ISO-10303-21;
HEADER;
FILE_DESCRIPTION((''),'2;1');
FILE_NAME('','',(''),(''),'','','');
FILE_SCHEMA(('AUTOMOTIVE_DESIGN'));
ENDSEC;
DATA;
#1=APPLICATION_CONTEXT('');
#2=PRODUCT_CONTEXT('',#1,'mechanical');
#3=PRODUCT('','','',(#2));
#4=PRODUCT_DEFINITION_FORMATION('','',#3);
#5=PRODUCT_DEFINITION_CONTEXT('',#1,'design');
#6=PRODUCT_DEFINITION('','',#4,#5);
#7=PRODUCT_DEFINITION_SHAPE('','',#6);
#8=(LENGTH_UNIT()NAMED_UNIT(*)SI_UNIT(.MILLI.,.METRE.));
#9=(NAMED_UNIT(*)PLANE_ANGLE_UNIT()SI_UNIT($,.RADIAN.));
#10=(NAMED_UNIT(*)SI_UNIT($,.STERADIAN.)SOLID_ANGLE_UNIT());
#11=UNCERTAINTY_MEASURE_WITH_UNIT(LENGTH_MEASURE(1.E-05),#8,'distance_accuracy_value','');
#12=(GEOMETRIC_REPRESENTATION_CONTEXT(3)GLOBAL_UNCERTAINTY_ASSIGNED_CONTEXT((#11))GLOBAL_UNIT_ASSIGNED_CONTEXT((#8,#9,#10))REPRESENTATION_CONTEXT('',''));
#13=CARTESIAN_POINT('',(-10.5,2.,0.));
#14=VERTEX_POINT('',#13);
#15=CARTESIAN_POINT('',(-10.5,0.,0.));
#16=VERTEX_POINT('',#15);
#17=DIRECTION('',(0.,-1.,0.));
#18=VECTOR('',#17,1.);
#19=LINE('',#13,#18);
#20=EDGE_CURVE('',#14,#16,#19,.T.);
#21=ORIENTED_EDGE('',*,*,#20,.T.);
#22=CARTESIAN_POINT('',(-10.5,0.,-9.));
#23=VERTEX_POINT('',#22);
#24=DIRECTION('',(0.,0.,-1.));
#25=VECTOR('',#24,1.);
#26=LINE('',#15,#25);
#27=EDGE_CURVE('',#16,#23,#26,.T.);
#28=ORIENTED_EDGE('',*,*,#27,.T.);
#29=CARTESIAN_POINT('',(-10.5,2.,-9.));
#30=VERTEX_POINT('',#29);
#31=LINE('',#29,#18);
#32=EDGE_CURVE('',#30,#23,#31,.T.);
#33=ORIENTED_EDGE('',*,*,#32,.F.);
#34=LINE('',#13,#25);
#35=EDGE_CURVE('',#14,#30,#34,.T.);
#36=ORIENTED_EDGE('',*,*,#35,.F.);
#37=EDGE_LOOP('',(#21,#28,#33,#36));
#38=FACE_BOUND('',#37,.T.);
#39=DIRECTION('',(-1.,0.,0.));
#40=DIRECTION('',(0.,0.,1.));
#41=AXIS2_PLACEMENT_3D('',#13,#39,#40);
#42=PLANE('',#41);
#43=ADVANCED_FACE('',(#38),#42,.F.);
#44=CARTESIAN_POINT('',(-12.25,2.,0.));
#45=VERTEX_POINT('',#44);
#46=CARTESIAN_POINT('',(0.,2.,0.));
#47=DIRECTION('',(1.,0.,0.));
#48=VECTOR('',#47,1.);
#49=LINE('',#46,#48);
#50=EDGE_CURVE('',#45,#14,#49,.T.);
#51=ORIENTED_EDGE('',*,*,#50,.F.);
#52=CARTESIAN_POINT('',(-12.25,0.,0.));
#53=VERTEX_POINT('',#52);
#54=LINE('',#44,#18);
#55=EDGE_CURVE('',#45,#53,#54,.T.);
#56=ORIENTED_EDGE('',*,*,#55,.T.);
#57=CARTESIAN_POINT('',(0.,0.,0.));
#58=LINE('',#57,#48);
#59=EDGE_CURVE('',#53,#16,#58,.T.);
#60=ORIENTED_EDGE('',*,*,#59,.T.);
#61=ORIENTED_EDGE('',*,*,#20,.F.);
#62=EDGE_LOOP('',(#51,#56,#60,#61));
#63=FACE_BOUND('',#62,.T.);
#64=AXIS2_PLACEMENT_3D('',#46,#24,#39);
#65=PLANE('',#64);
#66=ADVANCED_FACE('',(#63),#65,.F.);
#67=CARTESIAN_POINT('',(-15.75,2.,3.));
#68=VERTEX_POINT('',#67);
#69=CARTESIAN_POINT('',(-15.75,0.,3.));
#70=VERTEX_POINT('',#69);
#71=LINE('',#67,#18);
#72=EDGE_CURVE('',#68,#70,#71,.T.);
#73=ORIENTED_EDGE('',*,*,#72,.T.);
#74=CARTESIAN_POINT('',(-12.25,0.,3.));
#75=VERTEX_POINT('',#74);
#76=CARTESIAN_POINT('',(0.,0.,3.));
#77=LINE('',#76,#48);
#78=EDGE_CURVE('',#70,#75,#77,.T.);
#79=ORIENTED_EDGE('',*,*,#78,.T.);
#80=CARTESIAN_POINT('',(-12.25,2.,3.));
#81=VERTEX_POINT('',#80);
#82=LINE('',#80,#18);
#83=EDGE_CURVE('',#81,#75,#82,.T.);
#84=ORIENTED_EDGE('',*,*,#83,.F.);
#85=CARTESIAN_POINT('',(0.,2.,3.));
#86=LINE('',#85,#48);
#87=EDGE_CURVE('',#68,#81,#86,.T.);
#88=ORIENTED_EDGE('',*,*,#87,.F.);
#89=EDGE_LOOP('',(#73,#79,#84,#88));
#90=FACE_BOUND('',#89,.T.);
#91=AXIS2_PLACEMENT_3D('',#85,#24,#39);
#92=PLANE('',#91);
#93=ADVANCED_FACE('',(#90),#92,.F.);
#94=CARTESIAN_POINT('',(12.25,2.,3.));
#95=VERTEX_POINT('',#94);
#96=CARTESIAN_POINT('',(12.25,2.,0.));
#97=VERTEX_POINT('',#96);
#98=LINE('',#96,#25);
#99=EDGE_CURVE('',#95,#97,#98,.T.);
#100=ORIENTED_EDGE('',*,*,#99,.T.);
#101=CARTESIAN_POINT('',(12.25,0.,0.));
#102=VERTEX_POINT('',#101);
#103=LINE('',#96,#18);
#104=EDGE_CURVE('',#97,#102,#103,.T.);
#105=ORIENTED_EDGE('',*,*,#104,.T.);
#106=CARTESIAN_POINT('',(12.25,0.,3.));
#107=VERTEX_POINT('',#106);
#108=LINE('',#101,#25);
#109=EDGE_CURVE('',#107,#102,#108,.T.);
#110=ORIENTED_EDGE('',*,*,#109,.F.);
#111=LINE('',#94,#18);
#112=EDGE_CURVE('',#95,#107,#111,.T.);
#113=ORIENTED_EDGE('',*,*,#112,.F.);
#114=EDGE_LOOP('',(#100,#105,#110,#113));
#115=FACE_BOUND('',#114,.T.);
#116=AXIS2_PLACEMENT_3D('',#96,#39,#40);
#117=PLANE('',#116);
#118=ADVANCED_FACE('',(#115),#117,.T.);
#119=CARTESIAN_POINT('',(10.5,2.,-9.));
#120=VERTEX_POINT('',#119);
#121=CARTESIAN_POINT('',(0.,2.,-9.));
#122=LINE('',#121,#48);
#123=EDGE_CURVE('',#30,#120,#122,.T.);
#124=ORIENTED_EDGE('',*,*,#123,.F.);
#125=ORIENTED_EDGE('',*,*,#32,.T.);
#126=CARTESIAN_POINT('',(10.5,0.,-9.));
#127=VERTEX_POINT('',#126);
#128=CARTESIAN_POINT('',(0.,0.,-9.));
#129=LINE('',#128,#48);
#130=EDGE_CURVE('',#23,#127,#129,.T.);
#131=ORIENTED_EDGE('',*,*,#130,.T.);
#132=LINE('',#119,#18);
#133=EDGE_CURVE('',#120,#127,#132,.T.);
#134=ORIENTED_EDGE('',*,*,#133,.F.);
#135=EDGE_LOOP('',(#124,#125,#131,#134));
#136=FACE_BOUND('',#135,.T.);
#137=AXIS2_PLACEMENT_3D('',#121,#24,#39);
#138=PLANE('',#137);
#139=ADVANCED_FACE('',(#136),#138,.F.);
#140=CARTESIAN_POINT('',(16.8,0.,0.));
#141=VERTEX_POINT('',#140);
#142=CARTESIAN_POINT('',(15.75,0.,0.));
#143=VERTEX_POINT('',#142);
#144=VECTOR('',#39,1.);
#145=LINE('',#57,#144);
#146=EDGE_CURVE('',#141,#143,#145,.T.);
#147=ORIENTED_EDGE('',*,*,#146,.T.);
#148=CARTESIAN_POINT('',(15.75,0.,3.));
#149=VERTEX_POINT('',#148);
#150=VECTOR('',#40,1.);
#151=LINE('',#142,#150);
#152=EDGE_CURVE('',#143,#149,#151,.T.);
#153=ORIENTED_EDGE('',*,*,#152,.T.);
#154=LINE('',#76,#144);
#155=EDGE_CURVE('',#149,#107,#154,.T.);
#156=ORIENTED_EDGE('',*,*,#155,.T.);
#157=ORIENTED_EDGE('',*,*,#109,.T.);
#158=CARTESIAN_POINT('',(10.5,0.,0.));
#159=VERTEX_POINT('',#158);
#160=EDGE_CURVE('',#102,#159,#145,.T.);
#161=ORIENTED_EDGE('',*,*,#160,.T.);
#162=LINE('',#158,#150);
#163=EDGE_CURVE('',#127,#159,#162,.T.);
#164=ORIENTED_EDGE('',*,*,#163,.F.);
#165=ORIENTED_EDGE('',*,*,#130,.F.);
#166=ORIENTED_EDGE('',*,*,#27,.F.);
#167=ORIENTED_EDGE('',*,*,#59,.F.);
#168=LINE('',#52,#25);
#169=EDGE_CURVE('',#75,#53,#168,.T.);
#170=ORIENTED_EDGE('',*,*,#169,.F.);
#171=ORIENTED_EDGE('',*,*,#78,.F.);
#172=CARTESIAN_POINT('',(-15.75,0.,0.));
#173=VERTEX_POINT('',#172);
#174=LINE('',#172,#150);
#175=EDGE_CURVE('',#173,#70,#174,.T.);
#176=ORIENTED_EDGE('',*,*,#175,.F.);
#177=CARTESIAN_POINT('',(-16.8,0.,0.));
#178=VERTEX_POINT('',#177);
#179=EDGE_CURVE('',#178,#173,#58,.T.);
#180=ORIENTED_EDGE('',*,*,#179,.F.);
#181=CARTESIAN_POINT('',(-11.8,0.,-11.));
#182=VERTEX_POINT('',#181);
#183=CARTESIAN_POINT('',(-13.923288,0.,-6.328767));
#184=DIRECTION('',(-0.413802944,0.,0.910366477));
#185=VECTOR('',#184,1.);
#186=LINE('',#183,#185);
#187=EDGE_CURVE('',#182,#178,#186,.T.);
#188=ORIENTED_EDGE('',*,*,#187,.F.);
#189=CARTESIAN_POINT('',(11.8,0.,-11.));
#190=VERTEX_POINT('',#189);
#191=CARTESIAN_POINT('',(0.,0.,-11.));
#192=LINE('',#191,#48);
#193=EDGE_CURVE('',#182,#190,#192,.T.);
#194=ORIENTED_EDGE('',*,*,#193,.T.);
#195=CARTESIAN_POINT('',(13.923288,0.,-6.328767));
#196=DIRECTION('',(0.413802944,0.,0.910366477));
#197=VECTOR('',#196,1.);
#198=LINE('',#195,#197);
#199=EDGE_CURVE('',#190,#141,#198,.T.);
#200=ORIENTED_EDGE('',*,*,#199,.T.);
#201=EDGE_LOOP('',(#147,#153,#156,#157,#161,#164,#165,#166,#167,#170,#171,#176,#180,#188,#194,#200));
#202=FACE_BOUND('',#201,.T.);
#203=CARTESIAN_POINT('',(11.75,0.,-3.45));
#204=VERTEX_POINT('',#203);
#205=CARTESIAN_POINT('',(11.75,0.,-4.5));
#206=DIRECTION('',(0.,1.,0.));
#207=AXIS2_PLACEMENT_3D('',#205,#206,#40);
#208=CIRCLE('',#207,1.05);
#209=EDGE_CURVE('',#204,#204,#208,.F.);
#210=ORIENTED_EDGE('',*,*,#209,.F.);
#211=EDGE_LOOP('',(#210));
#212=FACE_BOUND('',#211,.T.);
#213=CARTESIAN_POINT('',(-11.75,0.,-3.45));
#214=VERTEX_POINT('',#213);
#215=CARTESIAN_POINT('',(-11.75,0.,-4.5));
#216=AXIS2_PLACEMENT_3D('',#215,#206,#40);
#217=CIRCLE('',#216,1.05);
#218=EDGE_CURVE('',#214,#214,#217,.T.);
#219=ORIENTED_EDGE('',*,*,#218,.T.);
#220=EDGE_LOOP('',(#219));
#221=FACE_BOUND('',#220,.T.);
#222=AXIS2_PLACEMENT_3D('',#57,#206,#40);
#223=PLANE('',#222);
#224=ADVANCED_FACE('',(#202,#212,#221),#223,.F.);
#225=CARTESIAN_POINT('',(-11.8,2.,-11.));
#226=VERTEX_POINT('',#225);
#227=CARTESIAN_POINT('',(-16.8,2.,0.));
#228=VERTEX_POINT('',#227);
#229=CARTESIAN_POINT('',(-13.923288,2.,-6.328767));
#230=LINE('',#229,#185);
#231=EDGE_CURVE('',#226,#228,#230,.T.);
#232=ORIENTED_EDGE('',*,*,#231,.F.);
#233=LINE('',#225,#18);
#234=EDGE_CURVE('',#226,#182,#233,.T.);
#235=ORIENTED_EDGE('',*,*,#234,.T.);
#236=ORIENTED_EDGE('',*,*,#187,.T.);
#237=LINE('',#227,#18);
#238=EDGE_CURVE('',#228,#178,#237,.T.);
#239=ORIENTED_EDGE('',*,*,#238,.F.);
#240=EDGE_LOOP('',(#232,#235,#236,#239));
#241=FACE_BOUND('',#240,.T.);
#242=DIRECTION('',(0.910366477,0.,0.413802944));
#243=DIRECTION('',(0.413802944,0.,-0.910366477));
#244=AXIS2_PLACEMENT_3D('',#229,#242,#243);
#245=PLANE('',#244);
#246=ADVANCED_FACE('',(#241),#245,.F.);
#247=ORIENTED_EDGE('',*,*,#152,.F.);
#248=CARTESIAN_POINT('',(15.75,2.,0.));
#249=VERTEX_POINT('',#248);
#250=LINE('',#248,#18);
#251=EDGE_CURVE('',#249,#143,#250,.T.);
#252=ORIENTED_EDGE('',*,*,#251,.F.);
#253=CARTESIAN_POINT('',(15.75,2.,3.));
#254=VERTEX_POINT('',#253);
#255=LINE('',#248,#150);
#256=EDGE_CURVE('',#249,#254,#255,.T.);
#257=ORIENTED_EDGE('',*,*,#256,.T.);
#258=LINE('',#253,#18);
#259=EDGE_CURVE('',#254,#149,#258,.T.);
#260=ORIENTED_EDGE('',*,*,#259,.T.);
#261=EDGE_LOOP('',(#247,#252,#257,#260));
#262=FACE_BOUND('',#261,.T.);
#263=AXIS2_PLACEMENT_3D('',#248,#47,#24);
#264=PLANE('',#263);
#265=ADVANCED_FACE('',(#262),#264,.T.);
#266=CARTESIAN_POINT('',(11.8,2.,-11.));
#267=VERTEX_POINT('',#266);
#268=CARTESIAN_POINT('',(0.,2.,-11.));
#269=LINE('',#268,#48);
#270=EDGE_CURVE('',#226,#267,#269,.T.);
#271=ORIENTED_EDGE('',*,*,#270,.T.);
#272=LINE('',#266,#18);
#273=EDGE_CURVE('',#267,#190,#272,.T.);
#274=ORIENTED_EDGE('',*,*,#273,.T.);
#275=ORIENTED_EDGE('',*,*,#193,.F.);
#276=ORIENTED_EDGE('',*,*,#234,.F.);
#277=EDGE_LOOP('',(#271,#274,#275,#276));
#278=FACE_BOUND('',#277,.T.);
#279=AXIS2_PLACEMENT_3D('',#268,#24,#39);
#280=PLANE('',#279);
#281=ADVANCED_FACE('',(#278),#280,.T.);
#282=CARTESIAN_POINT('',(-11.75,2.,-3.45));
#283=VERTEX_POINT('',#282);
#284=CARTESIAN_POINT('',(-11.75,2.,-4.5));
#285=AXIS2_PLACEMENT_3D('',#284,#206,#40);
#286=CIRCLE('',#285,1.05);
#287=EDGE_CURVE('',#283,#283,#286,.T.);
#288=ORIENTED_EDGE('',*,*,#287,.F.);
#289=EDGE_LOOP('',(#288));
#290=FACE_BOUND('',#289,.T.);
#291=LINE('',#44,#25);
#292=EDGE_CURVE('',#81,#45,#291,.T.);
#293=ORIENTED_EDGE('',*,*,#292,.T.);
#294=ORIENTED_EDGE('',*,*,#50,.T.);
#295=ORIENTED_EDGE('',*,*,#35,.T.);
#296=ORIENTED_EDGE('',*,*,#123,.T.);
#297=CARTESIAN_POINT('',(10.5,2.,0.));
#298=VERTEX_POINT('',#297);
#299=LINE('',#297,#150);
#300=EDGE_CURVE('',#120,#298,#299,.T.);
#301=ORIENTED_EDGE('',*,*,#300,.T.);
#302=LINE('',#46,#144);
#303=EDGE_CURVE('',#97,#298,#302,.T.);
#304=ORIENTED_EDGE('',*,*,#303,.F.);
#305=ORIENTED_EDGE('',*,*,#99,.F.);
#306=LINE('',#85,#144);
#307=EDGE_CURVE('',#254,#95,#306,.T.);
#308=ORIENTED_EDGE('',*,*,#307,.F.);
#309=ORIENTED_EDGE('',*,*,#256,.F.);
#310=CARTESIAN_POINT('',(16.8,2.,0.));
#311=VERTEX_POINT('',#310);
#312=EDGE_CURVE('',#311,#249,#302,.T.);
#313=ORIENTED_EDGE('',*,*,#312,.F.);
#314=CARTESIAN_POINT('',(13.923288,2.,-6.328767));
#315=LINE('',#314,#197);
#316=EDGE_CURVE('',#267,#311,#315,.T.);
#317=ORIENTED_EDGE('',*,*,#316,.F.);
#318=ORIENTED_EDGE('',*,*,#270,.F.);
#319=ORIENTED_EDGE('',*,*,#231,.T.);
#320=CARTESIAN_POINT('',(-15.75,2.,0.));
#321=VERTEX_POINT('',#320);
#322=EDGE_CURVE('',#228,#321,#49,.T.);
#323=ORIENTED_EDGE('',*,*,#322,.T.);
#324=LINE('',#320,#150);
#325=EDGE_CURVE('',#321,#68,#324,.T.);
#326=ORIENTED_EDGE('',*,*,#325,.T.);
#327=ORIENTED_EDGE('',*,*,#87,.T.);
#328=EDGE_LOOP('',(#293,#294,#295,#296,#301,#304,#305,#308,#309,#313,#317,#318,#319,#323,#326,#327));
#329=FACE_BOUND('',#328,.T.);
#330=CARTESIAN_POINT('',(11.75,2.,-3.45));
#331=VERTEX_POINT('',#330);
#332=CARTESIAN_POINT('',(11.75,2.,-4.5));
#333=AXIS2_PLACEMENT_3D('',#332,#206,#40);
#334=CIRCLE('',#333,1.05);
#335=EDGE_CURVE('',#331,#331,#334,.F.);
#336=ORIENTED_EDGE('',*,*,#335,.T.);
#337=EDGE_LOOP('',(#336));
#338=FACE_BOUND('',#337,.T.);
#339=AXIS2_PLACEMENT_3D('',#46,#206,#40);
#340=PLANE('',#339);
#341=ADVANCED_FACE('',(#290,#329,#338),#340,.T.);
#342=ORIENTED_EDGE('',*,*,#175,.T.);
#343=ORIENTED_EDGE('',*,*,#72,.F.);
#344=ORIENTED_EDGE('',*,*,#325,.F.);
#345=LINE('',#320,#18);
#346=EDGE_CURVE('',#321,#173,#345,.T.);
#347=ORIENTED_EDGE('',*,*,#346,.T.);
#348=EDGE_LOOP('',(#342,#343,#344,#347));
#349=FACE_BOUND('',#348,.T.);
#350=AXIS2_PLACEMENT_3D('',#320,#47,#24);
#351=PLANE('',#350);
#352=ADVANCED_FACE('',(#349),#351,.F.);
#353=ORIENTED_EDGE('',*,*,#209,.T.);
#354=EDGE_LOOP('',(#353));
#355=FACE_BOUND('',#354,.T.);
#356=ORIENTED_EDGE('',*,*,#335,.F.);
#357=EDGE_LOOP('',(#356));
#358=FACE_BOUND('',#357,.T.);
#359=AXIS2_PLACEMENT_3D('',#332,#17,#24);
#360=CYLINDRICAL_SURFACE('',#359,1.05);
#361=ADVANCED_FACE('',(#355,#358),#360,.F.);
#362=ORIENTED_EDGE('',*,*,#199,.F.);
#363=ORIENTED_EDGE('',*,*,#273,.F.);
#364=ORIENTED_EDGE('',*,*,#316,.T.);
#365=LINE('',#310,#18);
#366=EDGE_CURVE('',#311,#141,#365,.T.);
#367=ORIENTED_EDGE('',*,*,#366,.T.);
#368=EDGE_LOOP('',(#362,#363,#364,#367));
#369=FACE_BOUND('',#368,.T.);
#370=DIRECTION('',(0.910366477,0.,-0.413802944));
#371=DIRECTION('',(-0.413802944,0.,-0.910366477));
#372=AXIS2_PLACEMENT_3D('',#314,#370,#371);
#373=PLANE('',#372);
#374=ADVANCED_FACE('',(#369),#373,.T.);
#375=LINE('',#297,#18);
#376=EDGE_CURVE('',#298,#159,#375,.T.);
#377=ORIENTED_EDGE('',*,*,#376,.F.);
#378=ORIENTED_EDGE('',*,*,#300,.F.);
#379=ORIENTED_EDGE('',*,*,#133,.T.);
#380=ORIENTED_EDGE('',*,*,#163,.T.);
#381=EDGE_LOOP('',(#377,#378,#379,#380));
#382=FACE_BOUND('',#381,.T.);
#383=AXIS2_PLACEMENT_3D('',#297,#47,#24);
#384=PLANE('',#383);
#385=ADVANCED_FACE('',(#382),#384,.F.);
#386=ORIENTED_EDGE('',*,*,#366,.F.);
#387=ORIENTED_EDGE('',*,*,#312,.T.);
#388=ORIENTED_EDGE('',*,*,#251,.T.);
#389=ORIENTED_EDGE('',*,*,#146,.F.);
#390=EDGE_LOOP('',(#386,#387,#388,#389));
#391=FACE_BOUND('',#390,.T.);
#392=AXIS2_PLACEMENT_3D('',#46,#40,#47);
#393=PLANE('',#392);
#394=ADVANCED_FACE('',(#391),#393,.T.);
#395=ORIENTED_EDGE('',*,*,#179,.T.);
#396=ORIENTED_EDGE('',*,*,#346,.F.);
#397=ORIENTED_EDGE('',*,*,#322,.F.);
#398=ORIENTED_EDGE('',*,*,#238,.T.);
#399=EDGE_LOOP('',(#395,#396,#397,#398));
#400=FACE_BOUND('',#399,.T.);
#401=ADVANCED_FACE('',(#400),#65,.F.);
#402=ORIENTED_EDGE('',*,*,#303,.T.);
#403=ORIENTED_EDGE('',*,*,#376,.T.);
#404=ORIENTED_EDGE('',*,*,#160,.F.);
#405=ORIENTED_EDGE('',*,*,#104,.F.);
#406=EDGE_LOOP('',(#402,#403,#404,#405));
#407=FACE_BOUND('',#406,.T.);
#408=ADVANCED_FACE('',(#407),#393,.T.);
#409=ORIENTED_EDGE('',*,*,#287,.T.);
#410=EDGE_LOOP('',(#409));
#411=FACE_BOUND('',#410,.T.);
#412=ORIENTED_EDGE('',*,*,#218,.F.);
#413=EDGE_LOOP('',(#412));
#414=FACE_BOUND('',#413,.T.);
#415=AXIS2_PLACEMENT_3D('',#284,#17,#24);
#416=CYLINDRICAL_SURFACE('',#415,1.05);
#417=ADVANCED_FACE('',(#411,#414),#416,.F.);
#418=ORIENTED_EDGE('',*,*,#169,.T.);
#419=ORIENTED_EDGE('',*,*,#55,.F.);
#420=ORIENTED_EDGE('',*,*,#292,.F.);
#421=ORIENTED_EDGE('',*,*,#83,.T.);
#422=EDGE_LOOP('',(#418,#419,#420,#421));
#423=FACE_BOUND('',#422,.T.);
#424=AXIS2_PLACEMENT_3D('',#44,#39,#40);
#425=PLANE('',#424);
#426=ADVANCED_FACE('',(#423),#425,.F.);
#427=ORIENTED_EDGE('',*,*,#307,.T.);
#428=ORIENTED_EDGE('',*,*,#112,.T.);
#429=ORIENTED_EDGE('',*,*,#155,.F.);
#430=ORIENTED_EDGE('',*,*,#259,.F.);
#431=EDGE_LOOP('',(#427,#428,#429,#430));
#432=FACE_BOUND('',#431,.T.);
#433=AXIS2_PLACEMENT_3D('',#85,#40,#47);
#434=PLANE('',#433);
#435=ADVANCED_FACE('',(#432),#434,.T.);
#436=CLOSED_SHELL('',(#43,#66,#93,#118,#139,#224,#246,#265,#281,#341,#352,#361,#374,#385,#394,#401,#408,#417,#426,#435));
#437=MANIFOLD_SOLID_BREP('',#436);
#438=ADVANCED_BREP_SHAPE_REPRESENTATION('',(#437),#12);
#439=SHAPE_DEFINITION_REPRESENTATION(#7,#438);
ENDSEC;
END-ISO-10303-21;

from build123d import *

# Parameters (mm, degrees)
CROQUIS1_R              = 1.05
SALIENTE_EXTRUIR1_DEPTH = 2


with BuildPart() as part:
    # Croquis1 → Saliente-Extruir1 (new body)
    with BuildSketch(Plane(origin=(0, 0, 0), x_dir=(1, 0, 0), z_dir=(0, 1, 0))):
        Polygon((-10.5, 0), (-10.5, 9), (10.5, 9), (10.5, 0), (12.25, 0), (12.25, -3), (15.75, -3), (15.75, 0), (16.8, 0), (11.8, 11), (-11.8, 11), (-16.8, 0), (-15.75, 0), (-15.75, -3), (-12.25, -3), (-12.25, 0), align=None)
        with Locations(Location((-11.75, 4.5, 0), (0, 0, 270))):
            Circle(CROQUIS1_R, mode=Mode.SUBTRACT)
        with Locations(Location((11.75, 4.5, 0), (0, 0, 270))):
            Circle(CROQUIS1_R, mode=Mode.SUBTRACT)
    extrude(amount=SALIENTE_EXTRUIR1_DEPTH)


solid = part.part
